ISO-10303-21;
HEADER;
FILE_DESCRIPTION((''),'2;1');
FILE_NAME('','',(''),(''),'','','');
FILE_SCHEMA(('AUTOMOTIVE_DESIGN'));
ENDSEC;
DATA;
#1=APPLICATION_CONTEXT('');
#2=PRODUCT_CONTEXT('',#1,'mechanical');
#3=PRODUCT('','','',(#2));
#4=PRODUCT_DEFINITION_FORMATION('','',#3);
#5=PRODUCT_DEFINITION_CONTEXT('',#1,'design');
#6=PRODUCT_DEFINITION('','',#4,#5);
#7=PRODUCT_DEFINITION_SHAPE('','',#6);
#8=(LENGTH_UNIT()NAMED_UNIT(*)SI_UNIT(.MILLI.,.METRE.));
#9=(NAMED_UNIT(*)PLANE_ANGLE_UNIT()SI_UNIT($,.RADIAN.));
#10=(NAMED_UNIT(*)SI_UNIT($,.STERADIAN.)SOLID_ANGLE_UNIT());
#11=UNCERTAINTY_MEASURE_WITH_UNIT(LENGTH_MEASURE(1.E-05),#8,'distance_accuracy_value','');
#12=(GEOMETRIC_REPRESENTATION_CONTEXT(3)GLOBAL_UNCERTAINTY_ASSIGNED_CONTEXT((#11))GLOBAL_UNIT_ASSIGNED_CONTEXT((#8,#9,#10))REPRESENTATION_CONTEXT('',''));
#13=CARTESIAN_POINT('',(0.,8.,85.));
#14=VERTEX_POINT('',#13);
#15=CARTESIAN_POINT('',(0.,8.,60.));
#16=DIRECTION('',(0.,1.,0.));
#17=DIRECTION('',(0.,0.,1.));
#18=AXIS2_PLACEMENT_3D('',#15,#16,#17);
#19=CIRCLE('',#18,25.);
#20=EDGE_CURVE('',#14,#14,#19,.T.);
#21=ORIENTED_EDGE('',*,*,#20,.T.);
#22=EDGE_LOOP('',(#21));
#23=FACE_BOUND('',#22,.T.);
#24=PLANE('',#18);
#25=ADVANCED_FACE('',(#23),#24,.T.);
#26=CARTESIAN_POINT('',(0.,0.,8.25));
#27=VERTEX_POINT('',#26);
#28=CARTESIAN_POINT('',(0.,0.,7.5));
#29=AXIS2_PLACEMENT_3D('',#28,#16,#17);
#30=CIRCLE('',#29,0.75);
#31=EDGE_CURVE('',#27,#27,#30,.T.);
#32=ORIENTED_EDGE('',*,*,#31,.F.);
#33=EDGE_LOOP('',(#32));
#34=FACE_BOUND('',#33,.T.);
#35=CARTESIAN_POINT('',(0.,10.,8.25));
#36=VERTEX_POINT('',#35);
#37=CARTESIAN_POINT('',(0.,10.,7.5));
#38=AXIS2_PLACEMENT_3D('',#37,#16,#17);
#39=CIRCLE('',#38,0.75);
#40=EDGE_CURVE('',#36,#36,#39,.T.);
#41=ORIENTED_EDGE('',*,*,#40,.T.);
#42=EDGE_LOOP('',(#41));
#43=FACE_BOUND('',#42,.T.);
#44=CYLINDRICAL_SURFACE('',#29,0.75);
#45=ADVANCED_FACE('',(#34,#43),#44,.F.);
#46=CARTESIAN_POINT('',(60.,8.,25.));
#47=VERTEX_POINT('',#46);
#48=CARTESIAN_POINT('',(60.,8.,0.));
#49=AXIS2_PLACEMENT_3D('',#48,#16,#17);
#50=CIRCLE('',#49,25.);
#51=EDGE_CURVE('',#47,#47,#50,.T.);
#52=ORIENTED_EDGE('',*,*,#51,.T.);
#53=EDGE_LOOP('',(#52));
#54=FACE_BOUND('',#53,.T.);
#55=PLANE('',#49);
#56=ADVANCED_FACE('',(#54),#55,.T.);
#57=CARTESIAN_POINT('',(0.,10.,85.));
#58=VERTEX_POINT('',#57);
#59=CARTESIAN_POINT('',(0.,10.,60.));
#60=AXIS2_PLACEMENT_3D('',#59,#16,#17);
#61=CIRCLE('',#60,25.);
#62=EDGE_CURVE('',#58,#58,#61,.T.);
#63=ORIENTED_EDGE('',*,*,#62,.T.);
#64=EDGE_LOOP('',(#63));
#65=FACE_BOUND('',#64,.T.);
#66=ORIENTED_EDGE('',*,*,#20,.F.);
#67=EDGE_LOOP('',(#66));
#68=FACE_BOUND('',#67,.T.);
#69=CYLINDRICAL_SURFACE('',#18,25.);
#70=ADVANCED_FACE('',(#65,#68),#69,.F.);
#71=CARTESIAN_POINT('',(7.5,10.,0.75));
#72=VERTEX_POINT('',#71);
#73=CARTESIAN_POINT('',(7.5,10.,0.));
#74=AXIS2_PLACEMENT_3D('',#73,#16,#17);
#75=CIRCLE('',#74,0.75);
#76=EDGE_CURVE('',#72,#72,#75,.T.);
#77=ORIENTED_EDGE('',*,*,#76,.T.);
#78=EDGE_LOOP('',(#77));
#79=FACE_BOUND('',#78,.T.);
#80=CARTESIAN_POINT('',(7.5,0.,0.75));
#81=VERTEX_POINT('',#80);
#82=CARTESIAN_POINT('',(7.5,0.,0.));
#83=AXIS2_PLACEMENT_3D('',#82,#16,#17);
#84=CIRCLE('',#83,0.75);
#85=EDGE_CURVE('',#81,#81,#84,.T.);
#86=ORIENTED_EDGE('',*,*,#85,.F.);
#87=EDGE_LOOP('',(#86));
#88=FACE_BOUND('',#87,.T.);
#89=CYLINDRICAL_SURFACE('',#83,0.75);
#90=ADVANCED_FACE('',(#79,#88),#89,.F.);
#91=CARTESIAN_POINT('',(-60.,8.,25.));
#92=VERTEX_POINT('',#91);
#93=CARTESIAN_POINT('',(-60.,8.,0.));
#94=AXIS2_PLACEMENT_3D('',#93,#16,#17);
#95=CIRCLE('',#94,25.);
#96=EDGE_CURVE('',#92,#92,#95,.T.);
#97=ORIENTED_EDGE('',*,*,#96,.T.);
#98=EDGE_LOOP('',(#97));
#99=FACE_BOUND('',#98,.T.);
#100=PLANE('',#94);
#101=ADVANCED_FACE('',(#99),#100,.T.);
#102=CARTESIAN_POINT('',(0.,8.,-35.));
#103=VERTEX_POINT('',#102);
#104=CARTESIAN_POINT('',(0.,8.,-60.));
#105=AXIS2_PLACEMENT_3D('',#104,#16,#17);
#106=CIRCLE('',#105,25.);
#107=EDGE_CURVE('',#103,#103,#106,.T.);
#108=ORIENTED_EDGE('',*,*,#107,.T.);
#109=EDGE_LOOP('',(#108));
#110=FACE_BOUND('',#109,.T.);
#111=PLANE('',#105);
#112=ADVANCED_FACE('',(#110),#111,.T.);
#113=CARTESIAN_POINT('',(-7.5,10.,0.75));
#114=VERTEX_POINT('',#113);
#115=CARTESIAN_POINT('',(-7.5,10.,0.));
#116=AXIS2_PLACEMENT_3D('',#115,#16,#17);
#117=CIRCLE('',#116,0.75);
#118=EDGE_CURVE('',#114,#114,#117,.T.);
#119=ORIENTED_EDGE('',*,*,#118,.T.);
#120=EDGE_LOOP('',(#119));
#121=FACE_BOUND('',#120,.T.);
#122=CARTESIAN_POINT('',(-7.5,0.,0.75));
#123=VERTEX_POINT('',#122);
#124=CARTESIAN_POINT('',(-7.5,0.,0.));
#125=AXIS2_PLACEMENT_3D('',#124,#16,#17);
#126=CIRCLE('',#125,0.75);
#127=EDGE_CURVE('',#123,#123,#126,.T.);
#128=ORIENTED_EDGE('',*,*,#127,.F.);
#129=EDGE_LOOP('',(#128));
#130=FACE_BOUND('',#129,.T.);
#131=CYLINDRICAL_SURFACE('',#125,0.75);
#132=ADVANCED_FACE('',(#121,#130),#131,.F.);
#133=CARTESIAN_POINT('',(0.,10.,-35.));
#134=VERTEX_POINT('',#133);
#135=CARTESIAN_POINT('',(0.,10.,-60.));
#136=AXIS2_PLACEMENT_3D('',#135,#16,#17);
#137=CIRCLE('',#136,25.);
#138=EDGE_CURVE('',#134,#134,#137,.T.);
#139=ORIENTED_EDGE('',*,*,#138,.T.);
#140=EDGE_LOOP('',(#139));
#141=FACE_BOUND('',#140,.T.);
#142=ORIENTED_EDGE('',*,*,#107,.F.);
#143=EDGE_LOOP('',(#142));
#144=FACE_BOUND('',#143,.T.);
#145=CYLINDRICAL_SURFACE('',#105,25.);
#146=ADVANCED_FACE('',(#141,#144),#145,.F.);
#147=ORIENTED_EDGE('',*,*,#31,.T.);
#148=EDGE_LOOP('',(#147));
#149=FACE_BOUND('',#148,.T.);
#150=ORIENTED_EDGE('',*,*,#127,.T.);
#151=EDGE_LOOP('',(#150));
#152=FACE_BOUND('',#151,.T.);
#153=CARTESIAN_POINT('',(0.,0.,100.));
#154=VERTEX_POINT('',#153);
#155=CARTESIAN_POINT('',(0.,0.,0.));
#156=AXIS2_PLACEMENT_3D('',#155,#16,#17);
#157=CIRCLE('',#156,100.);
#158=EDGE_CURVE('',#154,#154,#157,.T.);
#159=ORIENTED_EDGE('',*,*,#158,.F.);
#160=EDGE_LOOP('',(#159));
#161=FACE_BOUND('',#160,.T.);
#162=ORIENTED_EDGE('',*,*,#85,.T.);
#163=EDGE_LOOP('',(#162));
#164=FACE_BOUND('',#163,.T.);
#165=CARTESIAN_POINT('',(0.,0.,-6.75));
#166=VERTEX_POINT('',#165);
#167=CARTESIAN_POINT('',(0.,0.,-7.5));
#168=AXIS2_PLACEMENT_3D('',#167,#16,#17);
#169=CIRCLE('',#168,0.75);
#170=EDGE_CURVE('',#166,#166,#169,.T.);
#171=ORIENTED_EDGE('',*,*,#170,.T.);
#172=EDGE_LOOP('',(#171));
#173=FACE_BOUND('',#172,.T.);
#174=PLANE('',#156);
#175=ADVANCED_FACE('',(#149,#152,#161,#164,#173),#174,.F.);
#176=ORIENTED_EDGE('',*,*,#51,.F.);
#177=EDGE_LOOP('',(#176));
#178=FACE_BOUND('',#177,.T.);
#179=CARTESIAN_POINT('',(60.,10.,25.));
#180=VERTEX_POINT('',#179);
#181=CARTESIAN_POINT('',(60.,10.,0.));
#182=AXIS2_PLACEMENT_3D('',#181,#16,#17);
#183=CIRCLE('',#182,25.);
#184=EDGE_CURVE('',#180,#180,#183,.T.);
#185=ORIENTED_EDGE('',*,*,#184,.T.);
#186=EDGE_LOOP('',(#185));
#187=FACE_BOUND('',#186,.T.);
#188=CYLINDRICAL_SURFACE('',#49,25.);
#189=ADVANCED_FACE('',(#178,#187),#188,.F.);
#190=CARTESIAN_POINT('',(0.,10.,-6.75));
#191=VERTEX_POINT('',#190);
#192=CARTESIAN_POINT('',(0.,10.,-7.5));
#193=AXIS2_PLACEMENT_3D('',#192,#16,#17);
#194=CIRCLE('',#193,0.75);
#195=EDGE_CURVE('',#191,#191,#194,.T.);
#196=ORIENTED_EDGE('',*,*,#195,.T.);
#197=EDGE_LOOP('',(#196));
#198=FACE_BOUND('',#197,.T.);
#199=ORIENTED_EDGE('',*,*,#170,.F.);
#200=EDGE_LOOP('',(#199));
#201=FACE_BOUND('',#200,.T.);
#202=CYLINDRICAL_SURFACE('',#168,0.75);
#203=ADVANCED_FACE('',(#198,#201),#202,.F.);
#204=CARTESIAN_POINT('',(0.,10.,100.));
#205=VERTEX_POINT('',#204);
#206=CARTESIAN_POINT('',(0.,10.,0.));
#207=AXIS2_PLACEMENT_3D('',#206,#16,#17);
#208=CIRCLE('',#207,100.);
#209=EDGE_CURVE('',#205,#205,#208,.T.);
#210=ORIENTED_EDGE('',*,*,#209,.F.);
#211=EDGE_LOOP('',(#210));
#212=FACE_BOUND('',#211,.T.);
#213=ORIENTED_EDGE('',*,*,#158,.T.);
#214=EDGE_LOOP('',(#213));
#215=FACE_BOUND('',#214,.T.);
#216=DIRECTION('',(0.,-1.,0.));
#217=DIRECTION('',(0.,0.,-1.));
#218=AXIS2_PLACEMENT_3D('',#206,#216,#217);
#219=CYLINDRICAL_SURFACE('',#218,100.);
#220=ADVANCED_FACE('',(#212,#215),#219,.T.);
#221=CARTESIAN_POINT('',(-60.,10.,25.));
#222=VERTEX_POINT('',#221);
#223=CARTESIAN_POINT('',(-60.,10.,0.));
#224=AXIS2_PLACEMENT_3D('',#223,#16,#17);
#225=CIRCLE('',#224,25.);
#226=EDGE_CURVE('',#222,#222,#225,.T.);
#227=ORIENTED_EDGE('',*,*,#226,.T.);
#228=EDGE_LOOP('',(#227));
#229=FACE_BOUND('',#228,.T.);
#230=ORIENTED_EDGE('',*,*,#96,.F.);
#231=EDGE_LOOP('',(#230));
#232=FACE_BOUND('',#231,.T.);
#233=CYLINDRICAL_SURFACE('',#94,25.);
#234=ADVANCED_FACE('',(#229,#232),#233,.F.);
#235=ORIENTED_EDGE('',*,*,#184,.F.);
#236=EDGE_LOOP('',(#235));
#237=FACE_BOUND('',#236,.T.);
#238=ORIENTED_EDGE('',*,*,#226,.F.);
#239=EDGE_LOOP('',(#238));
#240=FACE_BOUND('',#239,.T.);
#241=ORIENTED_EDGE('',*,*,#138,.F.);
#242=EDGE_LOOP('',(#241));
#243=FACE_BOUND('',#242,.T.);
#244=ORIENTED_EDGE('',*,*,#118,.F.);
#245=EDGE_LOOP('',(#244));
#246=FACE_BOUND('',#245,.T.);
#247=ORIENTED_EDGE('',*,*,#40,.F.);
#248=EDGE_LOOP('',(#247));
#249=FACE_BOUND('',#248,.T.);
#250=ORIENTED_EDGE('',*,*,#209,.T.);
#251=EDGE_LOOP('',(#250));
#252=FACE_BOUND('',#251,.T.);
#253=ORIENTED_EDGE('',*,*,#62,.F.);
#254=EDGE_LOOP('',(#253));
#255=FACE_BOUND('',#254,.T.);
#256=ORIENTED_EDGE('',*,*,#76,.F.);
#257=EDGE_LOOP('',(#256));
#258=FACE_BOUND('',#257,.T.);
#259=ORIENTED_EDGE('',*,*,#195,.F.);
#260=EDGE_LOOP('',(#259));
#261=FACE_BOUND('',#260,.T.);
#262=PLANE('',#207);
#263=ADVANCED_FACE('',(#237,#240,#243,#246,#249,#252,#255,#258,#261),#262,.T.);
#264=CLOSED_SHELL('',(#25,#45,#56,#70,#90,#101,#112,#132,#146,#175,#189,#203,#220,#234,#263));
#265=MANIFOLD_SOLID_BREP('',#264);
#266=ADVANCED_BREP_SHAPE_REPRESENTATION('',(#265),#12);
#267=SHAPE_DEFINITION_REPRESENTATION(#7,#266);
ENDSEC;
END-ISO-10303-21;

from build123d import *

# Parameters (mm, degrees)
CROQUIS1_R              = 100
SALIENTE_EXTRUIR1_DEPTH = 10
CROQUIS2_R              = 0.75
CORTAR_EXTRUIR1_DEPTH   = 11
CROQUIS3_R              = 25
CORTAR_EXTRUIR2_DEPTH   = 2


with BuildPart() as part:
    # Croquis1 → Saliente-Extruir1 (new body)
    with BuildSketch(Plane(origin=(0, 0, 0), x_dir=(1, 0, 0), z_dir=(0, 1, 0))):
        Circle(CROQUIS1_R)
    extrude(amount=SALIENTE_EXTRUIR1_DEPTH)

    # Croquis2 → Cortar-Extruir1 (cut, through all)
    with BuildSketch(Plane(origin=(0, 10, 0), x_dir=(1, 0, 0), z_dir=(0, 1, 0))):
        with Locations((-7.5, 0)):
            Circle(CROQUIS2_R)
        with Locations((0, -7.5)):
            Circle(CROQUIS2_R)
        with Locations((7.5, 0)):
            Circle(CROQUIS2_R)
        with Locations((0, 7.5)):
            Circle(CROQUIS2_R)
    extrude(amount=-CORTAR_EXTRUIR1_DEPTH, mode=Mode.SUBTRACT)

    # Croquis3 → Cortar-Extruir2 (cut)
    with BuildSketch(Plane(origin=(0, 10, 0), x_dir=(1, 0, 0), z_dir=(0, 1, 0))):
        with Locations((-60, 0)):
            Circle(CROQUIS3_R)
        with Locations((0, 60)):
            Circle(CROQUIS3_R)
        with Locations((60, 0)):
            Circle(CROQUIS3_R)
        with Locations((0, -60)):
            Circle(CROQUIS3_R)
    extrude(amount=-CORTAR_EXTRUIR2_DEPTH, mode=Mode.SUBTRACT)


solid = part.part
